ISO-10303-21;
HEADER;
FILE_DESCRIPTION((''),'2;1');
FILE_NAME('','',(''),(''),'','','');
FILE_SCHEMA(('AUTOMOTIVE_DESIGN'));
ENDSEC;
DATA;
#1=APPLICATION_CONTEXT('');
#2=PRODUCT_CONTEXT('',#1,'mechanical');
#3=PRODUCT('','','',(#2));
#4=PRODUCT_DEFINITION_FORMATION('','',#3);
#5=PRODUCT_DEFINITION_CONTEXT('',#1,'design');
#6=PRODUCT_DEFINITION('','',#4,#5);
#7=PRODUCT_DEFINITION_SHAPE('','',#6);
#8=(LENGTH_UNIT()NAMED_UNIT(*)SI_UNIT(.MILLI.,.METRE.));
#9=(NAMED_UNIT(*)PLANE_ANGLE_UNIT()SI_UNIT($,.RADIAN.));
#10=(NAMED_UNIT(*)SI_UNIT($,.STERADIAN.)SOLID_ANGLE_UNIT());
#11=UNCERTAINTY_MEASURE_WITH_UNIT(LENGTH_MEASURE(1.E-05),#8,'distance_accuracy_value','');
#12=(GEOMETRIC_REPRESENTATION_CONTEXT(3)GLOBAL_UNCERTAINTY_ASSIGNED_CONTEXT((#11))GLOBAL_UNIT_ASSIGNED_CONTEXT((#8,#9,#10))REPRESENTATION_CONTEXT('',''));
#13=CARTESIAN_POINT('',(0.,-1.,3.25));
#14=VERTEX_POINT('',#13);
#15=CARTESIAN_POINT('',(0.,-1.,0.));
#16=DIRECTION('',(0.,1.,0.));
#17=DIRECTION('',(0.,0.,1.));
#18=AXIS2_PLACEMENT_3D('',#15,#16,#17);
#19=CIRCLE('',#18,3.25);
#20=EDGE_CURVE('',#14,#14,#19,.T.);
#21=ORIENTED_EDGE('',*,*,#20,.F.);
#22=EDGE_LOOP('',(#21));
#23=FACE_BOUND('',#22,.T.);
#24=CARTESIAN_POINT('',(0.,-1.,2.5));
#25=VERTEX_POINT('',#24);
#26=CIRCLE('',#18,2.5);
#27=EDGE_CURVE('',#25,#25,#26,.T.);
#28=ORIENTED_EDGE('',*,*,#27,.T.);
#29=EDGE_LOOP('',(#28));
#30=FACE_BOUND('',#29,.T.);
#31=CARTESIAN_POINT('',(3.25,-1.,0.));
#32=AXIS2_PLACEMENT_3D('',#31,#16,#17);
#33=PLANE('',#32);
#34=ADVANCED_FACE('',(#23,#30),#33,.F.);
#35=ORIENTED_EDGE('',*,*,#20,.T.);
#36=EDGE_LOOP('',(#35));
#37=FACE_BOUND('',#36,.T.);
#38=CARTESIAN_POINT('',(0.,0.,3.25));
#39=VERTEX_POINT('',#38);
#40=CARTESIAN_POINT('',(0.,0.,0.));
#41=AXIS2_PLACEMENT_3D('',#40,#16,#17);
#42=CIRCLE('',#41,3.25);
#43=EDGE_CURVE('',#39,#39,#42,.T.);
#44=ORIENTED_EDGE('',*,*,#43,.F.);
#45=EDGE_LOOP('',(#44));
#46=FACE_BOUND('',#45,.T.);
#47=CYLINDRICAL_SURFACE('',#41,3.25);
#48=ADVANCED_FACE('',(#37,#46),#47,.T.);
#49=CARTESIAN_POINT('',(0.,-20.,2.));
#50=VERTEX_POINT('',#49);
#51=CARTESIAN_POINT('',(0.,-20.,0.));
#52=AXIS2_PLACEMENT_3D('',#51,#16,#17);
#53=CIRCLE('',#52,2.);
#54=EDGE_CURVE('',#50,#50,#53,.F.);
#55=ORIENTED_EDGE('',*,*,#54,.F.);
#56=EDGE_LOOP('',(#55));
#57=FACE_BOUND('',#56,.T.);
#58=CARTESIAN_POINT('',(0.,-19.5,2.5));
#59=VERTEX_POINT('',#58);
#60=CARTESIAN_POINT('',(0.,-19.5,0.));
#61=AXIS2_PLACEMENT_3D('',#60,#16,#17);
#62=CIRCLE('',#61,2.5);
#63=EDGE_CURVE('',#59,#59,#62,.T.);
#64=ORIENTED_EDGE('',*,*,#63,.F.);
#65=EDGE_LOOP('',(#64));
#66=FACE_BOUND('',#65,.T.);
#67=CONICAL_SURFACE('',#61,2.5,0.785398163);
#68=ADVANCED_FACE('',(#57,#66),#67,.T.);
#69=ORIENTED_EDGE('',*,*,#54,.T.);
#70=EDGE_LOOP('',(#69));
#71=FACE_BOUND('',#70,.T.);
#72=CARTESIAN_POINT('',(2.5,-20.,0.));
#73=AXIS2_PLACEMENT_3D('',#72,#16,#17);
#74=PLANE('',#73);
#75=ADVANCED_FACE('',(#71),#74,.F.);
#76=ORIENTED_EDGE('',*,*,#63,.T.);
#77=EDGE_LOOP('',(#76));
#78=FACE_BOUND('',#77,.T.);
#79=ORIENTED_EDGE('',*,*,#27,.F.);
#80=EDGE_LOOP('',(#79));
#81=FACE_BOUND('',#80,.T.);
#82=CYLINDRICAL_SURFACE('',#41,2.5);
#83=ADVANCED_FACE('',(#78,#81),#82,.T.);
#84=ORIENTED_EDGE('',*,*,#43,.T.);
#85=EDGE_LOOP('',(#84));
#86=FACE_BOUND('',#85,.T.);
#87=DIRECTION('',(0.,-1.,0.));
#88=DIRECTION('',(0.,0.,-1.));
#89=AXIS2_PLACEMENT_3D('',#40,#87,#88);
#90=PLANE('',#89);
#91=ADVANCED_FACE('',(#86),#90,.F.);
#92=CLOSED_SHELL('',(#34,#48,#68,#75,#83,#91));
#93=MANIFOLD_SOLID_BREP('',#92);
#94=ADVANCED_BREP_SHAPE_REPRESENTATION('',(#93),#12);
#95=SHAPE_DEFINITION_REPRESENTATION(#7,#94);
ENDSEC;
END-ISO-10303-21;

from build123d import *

# Parameters (mm, degrees)
CHAFL_N1_SIZE = 0.5


with BuildPart() as part:
    # Croquis1 → Revolución1 (revolve)
    with BuildSketch(Plane.XY, mode=Mode.PRIVATE) as revoluci_n1_sk:
        Polygon((0, 0), (3.25, 0), (3.25, -1), (2.5, -1), (2.5, -20), (0, -20), align=None)
    revolve(revoluci_n1_sk.sketch.rotate(Axis((0, 0, 0), (0, -1, 0)), 90), axis=Axis((0, 0, 0), (0, -1, 0)))

    # Chaflán1
    chafl_n1_edges = [part.edges().sort_by_distance(p)[0] for p in [
        (0, -20, -2.5),
    ]]
    chamfer(chafl_n1_edges, length=CHAFL_N1_SIZE)


solid = part.part
